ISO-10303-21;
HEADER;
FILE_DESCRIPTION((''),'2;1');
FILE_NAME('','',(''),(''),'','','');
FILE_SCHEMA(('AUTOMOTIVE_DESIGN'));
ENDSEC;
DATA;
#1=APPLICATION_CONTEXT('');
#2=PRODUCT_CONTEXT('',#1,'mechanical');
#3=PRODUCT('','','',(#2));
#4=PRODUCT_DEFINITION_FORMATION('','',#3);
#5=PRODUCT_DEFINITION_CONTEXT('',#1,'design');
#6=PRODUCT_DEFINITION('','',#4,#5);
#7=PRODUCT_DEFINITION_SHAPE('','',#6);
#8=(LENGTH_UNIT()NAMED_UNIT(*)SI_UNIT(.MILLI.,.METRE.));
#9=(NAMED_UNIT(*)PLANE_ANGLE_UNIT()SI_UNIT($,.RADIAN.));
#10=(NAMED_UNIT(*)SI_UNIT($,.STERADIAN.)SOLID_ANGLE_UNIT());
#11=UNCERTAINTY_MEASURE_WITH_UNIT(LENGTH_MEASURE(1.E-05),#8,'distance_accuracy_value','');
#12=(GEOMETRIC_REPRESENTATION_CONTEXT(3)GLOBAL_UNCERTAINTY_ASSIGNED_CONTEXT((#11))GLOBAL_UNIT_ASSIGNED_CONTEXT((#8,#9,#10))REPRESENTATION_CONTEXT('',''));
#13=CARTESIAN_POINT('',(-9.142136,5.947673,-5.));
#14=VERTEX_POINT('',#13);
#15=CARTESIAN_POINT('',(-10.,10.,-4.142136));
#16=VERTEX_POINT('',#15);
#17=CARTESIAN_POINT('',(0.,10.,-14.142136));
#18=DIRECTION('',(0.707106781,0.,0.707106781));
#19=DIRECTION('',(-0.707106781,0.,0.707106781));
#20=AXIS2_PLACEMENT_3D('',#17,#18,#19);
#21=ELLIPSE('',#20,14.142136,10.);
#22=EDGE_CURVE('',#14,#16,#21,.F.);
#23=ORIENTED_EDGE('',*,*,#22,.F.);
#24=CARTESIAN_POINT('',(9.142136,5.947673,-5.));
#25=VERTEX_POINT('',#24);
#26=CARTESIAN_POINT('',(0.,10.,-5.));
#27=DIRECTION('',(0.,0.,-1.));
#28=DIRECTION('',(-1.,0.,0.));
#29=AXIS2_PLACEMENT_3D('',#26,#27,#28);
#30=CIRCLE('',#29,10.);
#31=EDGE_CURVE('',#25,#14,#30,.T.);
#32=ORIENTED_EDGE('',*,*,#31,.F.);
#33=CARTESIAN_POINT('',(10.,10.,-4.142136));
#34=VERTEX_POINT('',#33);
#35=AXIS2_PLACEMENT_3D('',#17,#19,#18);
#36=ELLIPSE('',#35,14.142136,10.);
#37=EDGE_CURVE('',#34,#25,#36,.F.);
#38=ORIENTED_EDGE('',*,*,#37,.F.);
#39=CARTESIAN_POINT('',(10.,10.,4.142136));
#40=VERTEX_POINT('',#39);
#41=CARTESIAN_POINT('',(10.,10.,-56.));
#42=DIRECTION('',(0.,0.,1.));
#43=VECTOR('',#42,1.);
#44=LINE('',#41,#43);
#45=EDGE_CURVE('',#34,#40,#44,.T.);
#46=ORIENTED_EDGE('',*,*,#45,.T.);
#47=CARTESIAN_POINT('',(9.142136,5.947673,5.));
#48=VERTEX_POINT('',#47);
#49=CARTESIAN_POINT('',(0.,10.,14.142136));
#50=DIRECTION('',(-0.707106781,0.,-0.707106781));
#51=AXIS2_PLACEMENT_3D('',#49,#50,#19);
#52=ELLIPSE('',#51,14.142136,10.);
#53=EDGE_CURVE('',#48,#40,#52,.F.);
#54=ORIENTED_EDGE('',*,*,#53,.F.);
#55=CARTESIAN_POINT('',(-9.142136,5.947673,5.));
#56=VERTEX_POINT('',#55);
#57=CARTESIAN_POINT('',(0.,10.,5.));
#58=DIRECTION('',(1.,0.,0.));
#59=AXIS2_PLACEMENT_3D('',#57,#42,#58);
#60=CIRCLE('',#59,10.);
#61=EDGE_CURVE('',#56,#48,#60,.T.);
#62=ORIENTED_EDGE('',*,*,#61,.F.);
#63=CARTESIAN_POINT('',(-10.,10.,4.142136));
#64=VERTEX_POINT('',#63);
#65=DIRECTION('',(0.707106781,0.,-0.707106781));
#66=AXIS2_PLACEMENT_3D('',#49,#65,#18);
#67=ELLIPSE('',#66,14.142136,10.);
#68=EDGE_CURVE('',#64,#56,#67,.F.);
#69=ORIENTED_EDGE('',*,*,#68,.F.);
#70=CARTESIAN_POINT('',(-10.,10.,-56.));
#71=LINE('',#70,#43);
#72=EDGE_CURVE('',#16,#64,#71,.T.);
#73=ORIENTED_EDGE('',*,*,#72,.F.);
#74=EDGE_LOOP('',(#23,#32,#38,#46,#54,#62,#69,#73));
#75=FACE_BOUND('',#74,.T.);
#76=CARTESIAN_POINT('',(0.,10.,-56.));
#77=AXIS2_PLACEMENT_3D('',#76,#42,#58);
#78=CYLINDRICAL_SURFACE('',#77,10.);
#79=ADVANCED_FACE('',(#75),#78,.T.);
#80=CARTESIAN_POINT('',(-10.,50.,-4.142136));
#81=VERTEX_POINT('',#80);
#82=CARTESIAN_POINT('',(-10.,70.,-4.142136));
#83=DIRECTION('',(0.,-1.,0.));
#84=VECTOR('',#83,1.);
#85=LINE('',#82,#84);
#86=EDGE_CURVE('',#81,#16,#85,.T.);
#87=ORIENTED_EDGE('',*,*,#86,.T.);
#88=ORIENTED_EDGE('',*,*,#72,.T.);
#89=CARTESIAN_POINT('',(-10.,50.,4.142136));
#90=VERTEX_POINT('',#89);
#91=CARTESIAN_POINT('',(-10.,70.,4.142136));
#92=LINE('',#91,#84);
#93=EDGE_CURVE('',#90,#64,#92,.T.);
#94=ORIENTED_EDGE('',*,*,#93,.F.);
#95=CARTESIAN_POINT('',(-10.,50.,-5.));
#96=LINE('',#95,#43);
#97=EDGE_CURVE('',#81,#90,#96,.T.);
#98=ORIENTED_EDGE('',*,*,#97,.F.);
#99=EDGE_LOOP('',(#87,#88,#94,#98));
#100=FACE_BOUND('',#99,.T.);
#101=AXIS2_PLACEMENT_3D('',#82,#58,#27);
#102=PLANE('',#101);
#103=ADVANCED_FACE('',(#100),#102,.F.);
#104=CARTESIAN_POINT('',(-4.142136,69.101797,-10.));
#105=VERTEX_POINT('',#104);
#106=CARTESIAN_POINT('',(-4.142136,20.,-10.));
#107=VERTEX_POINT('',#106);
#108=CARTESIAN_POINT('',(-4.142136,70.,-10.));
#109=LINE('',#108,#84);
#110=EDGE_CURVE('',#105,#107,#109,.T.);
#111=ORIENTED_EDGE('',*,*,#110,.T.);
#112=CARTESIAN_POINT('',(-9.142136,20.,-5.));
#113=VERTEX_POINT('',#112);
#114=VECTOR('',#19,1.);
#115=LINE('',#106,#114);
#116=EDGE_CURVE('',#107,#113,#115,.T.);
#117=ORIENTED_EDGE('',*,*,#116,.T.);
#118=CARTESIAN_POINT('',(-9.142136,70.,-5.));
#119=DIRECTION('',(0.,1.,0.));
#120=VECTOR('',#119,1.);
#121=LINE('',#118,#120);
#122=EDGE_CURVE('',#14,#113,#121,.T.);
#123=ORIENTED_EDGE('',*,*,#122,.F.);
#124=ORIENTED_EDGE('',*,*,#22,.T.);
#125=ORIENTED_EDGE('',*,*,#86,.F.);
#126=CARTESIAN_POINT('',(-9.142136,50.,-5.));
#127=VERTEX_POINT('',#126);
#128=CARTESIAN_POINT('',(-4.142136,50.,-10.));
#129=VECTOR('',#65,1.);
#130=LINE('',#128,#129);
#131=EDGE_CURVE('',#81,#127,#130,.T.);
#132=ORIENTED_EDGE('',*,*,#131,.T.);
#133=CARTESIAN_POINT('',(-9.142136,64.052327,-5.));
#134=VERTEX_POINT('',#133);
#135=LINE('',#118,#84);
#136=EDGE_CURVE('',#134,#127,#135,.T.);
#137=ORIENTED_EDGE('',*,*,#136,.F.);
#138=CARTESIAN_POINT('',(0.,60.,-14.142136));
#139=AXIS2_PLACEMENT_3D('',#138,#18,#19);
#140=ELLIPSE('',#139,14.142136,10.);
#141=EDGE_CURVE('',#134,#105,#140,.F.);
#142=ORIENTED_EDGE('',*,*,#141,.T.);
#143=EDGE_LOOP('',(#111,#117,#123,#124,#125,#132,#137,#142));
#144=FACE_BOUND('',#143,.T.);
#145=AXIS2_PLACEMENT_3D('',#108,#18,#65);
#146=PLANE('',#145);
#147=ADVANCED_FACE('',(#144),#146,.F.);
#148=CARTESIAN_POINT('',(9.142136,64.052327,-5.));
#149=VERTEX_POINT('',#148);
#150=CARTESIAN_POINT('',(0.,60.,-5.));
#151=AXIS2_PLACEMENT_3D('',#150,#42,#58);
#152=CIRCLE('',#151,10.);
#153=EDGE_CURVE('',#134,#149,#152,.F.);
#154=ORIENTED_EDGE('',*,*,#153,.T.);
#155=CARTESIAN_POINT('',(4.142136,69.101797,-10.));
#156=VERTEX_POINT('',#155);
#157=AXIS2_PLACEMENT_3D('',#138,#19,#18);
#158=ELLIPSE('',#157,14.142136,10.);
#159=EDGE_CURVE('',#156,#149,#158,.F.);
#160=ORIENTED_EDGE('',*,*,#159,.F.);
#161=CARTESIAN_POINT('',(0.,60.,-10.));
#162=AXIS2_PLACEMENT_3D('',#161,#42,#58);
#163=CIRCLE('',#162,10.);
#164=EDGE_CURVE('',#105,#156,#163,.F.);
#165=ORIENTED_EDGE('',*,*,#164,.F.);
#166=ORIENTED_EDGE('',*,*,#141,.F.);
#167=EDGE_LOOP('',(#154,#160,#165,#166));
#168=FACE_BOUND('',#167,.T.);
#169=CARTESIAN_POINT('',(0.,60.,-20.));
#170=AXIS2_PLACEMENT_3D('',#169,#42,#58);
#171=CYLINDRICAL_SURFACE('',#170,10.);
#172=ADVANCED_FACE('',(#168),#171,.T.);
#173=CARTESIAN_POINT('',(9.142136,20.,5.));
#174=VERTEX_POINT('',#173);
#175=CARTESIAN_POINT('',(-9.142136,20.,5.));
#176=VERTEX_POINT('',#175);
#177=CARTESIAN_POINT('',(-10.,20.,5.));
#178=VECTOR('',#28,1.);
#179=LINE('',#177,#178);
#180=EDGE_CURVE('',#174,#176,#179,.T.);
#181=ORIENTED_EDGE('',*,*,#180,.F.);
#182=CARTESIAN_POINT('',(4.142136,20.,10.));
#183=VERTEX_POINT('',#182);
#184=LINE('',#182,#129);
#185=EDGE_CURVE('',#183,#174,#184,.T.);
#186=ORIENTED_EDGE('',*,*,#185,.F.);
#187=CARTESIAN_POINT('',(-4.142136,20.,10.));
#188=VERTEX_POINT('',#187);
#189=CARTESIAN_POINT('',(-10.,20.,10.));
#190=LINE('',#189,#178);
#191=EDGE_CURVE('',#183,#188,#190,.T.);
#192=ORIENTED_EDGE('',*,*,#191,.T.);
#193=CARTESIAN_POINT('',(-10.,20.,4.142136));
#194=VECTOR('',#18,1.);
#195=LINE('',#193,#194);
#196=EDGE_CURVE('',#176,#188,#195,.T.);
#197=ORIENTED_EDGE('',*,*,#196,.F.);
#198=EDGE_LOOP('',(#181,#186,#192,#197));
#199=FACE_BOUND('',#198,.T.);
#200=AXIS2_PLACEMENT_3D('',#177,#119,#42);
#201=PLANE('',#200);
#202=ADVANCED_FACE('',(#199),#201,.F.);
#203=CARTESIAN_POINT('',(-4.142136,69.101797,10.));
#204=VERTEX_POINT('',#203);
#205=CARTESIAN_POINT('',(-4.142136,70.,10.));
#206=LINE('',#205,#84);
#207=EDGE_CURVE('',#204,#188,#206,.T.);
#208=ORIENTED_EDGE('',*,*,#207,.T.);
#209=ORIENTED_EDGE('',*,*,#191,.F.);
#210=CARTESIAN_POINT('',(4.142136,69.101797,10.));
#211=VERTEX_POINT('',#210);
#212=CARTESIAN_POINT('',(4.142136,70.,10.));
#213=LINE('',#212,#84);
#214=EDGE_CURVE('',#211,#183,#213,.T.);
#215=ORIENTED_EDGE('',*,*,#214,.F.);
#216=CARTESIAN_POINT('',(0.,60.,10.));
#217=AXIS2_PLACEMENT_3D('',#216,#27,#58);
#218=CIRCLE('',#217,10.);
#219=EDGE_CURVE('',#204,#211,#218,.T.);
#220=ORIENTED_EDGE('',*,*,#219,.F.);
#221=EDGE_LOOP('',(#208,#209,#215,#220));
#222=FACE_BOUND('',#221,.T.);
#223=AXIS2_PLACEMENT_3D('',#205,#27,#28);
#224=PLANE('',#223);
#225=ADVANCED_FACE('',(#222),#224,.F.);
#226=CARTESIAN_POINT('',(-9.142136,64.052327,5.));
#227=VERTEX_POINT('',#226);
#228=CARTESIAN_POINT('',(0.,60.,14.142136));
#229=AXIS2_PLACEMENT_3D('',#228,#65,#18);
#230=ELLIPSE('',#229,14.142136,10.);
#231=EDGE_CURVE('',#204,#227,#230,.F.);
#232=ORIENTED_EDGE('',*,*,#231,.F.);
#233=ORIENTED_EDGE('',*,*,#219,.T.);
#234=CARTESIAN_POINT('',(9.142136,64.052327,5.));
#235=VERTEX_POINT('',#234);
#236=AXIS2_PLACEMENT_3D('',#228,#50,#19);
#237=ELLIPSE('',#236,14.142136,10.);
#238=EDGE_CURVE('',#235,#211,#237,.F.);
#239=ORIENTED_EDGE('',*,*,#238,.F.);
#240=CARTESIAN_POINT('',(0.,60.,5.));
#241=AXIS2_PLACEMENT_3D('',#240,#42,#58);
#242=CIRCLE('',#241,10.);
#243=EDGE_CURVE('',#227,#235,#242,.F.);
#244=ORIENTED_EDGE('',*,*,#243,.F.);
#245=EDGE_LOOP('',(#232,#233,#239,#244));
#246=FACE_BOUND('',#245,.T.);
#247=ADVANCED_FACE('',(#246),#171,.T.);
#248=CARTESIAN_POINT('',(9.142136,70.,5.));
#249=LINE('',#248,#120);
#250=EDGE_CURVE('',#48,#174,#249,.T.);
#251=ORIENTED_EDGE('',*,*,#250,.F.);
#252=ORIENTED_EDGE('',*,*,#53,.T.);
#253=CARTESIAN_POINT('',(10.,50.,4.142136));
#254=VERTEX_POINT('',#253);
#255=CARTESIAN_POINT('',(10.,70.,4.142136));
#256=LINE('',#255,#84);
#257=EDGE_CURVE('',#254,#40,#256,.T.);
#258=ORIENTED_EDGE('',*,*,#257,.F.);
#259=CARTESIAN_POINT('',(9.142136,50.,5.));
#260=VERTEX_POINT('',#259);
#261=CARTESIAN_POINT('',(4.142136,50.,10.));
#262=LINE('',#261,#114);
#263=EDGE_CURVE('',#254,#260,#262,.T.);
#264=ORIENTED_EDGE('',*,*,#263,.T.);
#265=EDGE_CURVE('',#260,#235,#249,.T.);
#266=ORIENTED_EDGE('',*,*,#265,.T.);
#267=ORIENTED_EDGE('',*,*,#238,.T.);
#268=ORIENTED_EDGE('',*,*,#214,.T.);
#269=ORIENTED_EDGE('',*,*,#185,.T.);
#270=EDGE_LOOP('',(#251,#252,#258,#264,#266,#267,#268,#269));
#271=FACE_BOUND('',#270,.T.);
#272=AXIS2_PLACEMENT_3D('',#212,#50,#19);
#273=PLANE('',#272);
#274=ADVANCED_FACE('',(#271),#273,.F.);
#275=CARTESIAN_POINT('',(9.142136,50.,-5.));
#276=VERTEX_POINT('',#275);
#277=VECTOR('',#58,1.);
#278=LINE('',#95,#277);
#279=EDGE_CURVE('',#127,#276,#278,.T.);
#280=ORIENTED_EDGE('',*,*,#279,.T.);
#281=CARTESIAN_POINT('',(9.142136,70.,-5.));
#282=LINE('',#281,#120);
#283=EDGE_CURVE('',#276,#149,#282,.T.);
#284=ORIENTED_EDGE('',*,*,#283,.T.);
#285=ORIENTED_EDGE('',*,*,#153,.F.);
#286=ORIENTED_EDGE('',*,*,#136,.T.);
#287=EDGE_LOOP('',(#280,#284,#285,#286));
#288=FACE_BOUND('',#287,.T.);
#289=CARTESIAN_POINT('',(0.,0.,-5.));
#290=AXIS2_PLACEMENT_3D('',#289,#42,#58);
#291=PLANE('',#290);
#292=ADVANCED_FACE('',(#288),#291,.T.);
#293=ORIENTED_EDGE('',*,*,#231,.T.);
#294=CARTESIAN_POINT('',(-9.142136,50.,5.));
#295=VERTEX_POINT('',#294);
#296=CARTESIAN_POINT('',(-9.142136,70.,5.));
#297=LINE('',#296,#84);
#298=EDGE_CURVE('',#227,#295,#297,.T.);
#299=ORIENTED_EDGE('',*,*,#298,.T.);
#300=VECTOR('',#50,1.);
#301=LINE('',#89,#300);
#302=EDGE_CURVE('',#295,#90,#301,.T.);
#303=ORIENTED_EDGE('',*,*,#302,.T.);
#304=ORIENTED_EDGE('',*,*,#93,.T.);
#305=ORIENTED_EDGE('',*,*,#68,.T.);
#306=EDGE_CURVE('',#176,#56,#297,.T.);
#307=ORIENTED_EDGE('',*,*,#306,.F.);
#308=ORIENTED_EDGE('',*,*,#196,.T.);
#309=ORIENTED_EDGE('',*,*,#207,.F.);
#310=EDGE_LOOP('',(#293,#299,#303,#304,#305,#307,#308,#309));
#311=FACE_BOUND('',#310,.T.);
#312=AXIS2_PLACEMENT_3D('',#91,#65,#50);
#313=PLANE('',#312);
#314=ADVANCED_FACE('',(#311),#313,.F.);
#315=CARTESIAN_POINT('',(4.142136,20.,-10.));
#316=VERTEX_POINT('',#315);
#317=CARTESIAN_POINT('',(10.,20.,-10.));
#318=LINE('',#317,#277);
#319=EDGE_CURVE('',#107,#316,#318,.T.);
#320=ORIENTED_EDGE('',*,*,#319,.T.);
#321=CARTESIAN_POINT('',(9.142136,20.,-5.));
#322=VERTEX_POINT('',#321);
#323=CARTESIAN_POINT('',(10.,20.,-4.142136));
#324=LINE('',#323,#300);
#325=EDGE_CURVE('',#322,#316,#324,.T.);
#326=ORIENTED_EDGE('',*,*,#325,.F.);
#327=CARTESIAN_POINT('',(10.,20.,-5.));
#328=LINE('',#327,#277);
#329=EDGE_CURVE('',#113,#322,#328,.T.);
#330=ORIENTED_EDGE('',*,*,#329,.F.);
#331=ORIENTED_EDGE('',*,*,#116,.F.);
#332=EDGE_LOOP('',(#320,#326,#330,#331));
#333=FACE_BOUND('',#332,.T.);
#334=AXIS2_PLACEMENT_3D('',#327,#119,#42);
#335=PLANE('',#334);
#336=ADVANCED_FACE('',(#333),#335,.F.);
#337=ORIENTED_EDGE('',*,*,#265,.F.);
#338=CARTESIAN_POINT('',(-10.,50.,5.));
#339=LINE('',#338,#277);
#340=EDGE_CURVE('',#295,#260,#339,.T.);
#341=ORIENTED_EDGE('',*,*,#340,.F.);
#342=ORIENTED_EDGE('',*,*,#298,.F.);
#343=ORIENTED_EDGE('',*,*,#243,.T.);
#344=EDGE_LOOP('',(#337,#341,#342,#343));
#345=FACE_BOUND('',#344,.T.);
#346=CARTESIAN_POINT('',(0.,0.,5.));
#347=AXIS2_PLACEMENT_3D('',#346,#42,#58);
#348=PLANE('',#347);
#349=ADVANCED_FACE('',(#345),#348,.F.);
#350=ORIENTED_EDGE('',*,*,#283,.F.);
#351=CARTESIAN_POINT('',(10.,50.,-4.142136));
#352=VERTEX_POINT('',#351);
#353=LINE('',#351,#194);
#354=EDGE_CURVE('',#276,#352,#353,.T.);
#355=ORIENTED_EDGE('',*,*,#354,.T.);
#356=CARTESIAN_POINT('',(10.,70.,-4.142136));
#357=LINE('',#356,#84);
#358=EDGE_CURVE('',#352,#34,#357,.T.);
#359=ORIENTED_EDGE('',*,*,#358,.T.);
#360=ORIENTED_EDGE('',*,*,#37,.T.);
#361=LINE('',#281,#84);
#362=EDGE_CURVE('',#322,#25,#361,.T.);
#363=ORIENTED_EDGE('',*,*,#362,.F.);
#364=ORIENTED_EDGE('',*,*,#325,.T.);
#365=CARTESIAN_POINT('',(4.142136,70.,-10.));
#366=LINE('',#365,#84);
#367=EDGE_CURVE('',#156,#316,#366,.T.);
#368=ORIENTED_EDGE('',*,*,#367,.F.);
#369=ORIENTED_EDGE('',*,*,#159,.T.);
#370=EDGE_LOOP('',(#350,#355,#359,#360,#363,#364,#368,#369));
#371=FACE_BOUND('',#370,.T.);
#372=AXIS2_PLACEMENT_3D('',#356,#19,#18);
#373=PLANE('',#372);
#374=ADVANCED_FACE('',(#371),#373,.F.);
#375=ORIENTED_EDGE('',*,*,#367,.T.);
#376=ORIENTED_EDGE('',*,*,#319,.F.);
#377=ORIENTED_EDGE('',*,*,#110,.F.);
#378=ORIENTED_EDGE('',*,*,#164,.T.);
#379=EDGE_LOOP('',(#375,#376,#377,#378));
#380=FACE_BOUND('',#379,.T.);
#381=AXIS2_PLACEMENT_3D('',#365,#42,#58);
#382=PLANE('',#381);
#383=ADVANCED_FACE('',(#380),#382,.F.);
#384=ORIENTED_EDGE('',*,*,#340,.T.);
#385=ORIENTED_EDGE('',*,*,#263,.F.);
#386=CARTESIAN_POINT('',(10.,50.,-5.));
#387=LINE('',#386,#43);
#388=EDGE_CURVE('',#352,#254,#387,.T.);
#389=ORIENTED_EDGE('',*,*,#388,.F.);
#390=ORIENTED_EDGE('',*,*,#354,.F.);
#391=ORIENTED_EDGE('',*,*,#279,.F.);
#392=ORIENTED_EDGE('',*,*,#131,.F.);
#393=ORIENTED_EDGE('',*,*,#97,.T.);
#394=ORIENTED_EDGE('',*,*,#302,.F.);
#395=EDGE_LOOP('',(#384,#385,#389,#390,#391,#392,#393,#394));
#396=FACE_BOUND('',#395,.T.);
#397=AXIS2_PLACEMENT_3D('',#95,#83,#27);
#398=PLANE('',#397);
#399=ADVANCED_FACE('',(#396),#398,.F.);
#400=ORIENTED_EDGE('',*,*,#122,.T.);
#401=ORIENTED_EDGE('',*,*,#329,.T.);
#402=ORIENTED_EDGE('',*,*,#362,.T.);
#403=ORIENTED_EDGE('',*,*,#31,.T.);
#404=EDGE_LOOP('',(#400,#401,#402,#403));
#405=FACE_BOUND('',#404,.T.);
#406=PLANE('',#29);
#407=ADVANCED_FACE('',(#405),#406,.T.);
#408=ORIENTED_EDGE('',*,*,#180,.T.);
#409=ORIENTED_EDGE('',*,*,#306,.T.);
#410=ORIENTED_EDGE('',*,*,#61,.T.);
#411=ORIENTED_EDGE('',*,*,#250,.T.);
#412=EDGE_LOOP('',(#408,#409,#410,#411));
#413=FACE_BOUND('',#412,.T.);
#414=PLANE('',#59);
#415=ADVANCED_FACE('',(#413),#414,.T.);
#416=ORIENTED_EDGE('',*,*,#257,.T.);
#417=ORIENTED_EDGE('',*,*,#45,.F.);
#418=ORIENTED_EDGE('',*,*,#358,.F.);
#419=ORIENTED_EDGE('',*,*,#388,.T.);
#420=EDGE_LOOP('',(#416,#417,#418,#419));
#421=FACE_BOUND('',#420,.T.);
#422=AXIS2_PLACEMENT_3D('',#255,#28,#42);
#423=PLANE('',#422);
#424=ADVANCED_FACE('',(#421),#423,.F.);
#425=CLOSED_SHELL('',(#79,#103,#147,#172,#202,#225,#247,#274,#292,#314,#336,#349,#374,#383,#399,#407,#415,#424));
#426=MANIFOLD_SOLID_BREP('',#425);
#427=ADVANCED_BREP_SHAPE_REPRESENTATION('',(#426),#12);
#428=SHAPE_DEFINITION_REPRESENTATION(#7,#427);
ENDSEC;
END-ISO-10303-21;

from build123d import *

# Parameters (mm, degrees)
EXTRUDE_1_DEPTH     = 70
CUT_EXTRUDE_1_DEPTH = 66
CUT_EXTRUDE_2_DEPTH = 5
CUT_EXTRUDE_START   = -5
CUT_EXTRUDE_3_DEPTH = 5
SKETCH_6_W          = 20
SKETCH_6_H          = 20
CUT_EXTRUDE_4_DEPTH = 5
CUT_EXTRUDE_5_DEPTH = 30


with BuildPart() as part:
    # 草图1 → 凸台-拉伸1 (new body)
    with BuildSketch(Plane(origin=(0, 0, 0), x_dir=(1, 0, 0), z_dir=(0, 1, 0))):
        Polygon((10, 4.142135624), (4.142135624, 10), (-4.142135624, 10), (-10, 4.142135624), (-10, -4.142135624), (-4.142135624, -10), (4.142135624, -10), (10, -4.142135624), align=None)
    extrude(amount=EXTRUDE_1_DEPTH)

    # 草图2 → 切除-拉伸1 (cut)
    with BuildSketch(Plane.XY.offset(10)):
        with BuildLine():
            Line((-10, 10), (-10, -2.389295552))
            Line((-10, -2.389295552), (10, -2.389295552))
            Line((10, -2.389295552), (10, 10))
            ThreePointArc((10, 10), (0, 0), (-10, 10))
        make_face()
    extrude(amount=-CUT_EXTRUDE_1_DEPTH, mode=Mode.SUBTRACT)

    # 草图4 → 切除-拉伸2 (cut)
    with BuildSketch(Plane.XY.offset(10)):
        with BuildLine():
            Line((-10, 10), (-10, 20))
            Line((-10, 20), (10, 20))
            Line((10, 20), (10, 10))
            ThreePointArc((10, 10), (0, 0), (-10, 10))
        make_face()
    extrude(amount=-CUT_EXTRUDE_2_DEPTH, mode=Mode.SUBTRACT)

    # 草图5 → 切除-拉伸3 (cut)
    with BuildSketch(Plane(origin=(0, 0, -10), x_dir=(-1, 0, 0), z_dir=(0, 0, -1)).offset(CUT_EXTRUDE_START)):
        with BuildLine():
            Line((-10, 10), (-10, 20))
            Line((-10, 20), (10, 20))
            Line((10, 20), (10, 10))
            ThreePointArc((10, 10), (0, 0), (-10, 10))
        make_face()
    extrude(amount=CUT_EXTRUDE_3_DEPTH, mode=Mode.SUBTRACT)

    # 草图6 → 切除-拉伸4 (cut, symmetric)
    with BuildSketch(Plane.XY):
        with Locations((0, 60)):
            Rectangle(SKETCH_6_W, SKETCH_6_H)
    extrude(amount=CUT_EXTRUDE_4_DEPTH, both=True, mode=Mode.SUBTRACT)

    # 草图7 → 切除-拉伸5 (cut)
    with BuildSketch(Plane.XY.offset(10)):
        with BuildLine():
            Line((-10, 60), (-10, 77.826040088))
            Line((-10, 77.826040088), (10, 77.826040088))
            Line((10, 77.826040088), (10, 60))
            ThreePointArc((10, 60), (0, 70), (-10, 60))
        make_face()
    extrude(amount=-CUT_EXTRUDE_5_DEPTH, mode=Mode.SUBTRACT)


solid = part.part
